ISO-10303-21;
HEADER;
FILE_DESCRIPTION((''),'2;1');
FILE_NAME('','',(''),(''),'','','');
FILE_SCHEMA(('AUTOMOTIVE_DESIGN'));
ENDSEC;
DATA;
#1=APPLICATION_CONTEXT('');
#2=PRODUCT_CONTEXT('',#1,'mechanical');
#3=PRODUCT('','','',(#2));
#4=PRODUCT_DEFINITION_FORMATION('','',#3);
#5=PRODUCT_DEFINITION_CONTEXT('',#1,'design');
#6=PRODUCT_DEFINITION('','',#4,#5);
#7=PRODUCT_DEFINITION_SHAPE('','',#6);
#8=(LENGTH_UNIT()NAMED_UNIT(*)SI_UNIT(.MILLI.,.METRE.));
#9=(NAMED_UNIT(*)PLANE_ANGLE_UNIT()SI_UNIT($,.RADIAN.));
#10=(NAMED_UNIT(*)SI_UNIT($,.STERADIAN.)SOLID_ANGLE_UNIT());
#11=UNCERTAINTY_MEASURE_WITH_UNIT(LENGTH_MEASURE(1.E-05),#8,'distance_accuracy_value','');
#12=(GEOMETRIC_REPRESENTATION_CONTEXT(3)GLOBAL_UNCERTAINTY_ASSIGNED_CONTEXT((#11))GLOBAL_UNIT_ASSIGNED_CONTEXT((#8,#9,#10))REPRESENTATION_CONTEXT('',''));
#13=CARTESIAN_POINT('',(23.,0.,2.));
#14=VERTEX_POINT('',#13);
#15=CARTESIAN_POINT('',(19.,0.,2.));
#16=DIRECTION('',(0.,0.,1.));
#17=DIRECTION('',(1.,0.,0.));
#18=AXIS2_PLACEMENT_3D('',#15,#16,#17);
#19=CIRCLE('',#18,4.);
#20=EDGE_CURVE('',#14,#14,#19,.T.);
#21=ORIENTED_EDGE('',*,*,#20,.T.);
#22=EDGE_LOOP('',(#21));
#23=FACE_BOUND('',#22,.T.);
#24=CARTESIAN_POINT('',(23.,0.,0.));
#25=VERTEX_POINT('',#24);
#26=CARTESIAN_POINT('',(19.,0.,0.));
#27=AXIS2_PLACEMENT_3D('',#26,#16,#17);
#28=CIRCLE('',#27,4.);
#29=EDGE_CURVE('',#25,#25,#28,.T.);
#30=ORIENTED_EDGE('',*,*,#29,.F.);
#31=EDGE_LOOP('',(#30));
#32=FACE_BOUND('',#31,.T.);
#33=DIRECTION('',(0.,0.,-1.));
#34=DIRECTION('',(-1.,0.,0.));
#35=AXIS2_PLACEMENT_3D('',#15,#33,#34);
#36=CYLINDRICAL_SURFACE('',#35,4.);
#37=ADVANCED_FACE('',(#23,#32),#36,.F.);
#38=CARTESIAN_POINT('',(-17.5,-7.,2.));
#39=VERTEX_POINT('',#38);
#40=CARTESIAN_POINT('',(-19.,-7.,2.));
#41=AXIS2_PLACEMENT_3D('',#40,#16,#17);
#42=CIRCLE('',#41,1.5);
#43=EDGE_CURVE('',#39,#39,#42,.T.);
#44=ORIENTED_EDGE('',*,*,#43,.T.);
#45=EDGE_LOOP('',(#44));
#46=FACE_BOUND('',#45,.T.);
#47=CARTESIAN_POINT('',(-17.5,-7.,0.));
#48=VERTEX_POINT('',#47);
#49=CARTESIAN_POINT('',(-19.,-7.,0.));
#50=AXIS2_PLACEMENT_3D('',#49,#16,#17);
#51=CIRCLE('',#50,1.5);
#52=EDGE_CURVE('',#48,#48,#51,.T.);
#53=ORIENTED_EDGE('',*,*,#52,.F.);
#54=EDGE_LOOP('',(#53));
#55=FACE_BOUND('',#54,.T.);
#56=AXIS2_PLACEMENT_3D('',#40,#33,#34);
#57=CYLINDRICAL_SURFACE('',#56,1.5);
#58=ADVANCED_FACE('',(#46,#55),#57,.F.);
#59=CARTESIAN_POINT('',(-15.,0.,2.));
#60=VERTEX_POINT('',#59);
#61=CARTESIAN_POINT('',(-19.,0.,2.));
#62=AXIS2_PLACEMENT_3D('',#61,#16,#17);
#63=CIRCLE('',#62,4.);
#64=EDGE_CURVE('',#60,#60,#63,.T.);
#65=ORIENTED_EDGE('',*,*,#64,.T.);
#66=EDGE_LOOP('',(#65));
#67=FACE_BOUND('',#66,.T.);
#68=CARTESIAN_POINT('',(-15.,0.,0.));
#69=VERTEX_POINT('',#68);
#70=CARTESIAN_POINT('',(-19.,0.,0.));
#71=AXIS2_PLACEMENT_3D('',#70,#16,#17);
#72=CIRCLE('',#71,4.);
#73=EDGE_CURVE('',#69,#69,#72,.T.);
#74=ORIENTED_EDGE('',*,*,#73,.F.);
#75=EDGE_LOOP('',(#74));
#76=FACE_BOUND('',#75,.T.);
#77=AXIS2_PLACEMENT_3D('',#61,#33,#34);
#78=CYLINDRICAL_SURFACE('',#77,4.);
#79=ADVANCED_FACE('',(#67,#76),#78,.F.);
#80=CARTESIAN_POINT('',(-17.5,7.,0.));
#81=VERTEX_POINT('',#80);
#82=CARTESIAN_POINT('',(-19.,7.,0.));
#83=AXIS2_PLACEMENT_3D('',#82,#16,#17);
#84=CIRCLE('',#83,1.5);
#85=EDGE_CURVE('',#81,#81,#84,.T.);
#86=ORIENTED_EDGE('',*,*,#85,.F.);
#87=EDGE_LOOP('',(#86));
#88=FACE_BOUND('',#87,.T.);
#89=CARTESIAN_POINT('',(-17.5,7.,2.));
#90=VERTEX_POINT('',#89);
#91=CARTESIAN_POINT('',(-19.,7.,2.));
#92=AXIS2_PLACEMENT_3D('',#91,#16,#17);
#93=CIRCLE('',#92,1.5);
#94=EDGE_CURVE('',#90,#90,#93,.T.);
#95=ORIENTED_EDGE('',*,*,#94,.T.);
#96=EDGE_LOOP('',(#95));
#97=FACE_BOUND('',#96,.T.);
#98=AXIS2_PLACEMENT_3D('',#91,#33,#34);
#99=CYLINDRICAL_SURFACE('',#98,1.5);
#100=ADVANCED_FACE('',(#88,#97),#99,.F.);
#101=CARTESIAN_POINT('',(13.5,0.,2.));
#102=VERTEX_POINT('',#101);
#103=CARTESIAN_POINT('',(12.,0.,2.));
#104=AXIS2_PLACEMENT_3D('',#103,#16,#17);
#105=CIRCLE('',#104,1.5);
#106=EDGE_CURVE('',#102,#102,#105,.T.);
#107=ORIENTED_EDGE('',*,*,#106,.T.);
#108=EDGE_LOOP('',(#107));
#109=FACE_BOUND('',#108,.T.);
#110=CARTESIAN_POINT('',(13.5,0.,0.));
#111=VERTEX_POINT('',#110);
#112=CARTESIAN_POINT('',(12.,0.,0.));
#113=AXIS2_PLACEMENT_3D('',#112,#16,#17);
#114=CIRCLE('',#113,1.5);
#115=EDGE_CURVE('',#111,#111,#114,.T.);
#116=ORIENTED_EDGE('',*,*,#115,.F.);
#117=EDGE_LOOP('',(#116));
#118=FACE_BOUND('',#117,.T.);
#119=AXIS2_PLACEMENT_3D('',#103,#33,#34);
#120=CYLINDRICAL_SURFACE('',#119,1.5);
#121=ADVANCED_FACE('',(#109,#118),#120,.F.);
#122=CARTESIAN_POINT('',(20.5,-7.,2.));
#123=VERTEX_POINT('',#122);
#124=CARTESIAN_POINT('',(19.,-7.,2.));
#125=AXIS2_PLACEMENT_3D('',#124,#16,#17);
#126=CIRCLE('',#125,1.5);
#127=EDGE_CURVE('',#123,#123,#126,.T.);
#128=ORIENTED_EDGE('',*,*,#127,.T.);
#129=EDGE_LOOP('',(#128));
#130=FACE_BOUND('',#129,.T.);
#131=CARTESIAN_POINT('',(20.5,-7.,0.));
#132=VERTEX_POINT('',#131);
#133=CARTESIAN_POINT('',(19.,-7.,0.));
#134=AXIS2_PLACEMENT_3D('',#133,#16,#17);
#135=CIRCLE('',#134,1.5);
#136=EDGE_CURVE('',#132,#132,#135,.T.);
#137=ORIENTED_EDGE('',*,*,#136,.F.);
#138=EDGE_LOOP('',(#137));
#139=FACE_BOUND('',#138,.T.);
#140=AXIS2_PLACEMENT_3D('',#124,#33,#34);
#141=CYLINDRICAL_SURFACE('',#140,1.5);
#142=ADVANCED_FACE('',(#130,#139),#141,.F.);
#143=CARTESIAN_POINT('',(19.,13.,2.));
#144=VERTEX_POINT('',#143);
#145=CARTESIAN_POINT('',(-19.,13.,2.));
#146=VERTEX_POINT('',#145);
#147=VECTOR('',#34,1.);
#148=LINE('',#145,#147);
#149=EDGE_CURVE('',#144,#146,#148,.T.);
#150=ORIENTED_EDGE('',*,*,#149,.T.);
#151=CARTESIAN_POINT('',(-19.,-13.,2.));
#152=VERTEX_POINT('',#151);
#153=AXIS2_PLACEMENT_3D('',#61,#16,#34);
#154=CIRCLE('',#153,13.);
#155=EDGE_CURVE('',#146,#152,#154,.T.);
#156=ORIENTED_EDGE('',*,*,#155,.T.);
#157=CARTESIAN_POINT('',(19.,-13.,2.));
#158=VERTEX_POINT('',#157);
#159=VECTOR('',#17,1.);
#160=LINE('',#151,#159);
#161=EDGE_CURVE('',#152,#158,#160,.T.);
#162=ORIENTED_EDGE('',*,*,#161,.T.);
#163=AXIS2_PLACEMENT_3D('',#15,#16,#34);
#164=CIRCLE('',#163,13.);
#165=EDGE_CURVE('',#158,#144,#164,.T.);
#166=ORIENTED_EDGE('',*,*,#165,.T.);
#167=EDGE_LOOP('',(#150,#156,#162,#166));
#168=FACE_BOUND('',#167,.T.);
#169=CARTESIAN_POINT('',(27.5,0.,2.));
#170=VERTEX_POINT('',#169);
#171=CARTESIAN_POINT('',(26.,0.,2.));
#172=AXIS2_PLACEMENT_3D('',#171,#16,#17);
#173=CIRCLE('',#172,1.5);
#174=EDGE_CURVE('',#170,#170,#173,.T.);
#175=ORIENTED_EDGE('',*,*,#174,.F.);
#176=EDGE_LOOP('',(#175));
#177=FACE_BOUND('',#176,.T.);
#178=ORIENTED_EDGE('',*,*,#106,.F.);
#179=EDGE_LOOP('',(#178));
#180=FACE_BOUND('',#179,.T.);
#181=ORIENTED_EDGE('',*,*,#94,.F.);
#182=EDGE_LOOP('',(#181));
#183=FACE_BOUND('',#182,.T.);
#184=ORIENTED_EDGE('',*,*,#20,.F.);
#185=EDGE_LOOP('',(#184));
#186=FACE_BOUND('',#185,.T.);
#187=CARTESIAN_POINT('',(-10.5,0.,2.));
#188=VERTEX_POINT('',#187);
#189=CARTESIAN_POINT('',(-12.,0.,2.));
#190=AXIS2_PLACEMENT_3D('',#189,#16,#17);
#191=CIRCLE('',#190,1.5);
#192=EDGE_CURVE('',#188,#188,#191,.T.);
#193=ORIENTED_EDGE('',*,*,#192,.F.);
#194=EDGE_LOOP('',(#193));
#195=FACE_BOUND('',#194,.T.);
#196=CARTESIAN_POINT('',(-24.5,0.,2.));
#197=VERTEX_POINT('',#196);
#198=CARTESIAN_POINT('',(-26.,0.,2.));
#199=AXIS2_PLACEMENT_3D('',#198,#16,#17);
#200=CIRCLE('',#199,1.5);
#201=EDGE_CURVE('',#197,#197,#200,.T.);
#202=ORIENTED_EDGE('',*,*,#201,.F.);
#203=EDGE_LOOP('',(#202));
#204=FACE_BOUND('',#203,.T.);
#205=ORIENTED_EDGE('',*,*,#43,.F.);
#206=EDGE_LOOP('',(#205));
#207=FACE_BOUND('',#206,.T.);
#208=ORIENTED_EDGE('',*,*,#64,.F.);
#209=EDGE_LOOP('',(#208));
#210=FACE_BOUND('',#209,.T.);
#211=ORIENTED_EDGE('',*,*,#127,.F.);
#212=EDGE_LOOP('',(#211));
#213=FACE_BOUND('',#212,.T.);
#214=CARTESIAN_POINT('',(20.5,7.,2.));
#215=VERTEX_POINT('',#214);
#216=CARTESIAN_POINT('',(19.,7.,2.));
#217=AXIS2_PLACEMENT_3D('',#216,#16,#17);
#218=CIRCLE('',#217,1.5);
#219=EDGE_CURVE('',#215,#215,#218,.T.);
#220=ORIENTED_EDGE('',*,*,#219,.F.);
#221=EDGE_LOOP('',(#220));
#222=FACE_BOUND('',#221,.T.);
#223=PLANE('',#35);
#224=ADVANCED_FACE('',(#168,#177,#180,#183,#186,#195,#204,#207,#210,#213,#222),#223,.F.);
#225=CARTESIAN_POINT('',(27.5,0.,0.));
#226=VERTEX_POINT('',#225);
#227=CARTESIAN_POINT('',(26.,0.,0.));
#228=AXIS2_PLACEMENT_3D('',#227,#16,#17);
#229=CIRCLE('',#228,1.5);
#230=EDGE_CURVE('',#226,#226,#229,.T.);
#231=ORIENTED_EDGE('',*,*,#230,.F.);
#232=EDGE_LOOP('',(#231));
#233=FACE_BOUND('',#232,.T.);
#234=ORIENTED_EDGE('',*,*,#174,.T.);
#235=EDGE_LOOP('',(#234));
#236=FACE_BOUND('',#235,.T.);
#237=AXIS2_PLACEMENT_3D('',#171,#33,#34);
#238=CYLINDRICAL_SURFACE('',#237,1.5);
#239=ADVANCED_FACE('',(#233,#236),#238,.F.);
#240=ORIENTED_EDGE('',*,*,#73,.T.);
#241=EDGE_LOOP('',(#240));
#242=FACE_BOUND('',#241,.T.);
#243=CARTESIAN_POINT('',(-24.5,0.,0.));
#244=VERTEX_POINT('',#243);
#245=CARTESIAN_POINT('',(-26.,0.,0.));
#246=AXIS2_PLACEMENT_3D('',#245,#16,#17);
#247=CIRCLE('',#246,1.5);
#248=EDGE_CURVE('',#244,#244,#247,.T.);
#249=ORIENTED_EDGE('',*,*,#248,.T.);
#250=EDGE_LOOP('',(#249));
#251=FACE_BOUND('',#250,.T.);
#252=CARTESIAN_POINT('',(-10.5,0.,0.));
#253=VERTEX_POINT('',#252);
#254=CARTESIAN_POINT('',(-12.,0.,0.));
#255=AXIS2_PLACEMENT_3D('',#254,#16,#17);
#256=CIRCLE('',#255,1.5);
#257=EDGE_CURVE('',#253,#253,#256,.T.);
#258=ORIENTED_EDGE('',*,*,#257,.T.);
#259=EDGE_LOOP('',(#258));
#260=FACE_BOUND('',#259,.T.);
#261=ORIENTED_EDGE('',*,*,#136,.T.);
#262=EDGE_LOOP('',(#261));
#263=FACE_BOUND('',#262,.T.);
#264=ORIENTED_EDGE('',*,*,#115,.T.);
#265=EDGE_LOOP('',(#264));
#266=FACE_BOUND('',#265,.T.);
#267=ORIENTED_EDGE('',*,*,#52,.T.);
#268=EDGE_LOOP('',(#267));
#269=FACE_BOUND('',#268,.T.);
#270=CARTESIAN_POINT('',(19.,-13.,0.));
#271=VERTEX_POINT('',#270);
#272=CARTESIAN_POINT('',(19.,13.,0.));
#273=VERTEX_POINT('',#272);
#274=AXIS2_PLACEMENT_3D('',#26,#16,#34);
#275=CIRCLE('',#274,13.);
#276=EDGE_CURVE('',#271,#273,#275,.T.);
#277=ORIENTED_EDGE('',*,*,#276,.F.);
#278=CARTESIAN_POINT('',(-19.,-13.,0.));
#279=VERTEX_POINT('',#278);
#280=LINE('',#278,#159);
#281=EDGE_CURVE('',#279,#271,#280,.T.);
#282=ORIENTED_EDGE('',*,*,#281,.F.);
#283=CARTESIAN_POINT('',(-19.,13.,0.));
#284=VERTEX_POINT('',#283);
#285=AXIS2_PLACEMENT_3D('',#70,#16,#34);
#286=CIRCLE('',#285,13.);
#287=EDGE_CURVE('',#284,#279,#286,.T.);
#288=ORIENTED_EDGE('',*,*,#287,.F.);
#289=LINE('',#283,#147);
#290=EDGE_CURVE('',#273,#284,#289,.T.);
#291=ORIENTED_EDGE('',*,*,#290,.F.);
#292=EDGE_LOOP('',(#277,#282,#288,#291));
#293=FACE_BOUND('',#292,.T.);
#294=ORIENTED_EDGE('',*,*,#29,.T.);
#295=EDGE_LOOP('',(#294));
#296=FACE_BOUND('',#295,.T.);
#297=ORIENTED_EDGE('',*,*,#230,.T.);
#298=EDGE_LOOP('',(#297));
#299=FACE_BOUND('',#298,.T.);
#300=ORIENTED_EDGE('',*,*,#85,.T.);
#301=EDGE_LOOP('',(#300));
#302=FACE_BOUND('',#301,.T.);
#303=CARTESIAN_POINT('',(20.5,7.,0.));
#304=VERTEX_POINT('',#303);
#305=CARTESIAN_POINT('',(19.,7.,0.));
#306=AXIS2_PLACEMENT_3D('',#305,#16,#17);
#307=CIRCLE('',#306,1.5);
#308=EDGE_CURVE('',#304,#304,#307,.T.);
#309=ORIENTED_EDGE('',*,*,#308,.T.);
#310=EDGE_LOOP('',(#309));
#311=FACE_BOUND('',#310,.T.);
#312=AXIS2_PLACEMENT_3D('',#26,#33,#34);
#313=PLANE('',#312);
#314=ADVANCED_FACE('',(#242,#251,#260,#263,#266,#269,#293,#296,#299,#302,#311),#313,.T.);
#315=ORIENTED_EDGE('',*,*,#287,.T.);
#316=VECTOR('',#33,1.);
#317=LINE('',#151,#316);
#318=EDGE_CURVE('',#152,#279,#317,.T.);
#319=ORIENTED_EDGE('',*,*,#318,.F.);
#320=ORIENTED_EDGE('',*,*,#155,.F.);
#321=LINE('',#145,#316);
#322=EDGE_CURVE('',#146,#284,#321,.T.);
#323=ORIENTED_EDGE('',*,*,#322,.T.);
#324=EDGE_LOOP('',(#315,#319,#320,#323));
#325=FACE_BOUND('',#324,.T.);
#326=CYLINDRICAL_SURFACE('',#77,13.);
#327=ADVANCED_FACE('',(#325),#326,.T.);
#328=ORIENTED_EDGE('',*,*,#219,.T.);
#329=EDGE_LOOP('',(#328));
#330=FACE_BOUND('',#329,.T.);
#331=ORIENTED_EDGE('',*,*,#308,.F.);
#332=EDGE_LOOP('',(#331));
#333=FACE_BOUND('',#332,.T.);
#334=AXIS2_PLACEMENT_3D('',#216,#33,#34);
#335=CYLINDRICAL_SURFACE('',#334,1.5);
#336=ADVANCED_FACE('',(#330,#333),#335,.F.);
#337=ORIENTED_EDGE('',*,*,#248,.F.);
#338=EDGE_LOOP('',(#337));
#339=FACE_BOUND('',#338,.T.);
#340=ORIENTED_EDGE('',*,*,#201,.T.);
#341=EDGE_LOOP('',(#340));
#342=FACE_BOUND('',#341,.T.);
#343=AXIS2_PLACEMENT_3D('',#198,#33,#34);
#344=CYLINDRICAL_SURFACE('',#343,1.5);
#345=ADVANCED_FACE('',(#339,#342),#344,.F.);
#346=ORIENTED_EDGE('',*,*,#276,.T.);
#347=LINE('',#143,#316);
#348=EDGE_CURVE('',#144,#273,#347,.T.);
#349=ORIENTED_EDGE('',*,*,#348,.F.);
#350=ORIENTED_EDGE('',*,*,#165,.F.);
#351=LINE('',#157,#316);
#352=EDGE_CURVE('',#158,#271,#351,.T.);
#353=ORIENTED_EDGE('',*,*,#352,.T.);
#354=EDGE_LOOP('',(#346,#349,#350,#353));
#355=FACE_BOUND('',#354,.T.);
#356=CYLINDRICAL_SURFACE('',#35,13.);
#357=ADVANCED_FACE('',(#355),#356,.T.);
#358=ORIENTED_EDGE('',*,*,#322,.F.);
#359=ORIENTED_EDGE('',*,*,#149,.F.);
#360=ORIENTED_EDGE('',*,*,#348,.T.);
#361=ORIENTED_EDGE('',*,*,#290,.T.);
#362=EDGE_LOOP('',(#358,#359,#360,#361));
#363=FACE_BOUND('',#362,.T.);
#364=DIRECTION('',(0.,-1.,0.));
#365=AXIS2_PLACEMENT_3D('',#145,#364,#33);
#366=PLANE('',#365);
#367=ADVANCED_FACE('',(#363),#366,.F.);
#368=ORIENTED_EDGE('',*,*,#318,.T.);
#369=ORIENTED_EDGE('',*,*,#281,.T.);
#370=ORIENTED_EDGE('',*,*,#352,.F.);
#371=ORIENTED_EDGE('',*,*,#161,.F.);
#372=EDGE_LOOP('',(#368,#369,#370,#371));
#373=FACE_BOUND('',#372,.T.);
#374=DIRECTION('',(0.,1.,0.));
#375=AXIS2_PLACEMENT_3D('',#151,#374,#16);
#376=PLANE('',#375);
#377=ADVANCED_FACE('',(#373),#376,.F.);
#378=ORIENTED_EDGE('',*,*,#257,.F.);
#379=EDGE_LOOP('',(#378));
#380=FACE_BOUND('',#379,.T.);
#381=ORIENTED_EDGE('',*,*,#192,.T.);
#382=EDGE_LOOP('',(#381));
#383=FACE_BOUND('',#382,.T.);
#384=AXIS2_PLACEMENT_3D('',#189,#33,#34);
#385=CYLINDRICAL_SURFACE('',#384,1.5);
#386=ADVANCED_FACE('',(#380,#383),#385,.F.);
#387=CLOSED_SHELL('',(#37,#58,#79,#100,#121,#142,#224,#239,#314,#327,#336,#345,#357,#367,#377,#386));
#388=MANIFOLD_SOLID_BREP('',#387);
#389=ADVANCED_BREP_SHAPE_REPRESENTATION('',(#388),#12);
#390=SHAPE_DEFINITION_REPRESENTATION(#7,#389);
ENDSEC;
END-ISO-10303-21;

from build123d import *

# Parameters (mm, degrees)
SKETCH_1_R      = 4
SKETCH_1_R_2    = 1.5
EXTRUDE_1_DEPTH = 2


with BuildPart() as part:
    # 草图1 → 凸台-拉伸1 (new body)
    with BuildSketch(Plane.XY):
        with BuildLine():
            Line((-19, -13), (19, -13))
            ThreePointArc((19, -13), (32, 0), (19, 13))
            Line((19, 13), (-19, 13))
            ThreePointArc((-19, 13), (-32, 0), (-19, -13))
        make_face()
        with Locations((-19, 0)):
            Circle(SKETCH_1_R, mode=Mode.SUBTRACT)
        with Locations((19, 0)):
            Circle(SKETCH_1_R, mode=Mode.SUBTRACT)
        with Locations((-19, 7)):
            Circle(SKETCH_1_R_2, mode=Mode.SUBTRACT)
        with Locations((19, 7)):
            Circle(SKETCH_1_R_2, mode=Mode.SUBTRACT)
        with Locations((-12, 0)):
            Circle(SKETCH_1_R_2, mode=Mode.SUBTRACT)
        with Locations((-19, -7)):
            Circle(SKETCH_1_R_2, mode=Mode.SUBTRACT)
        with Locations((-26, 0)):
            Circle(SKETCH_1_R_2, mode=Mode.SUBTRACT)
        with Locations((26, 0)):
            Circle(SKETCH_1_R_2, mode=Mode.SUBTRACT)
        with Locations((19, -7)):
            Circle(SKETCH_1_R_2, mode=Mode.SUBTRACT)
        with Locations((12, 0)):
            Circle(SKETCH_1_R_2, mode=Mode.SUBTRACT)
    extrude(amount=EXTRUDE_1_DEPTH)


solid = part.part
